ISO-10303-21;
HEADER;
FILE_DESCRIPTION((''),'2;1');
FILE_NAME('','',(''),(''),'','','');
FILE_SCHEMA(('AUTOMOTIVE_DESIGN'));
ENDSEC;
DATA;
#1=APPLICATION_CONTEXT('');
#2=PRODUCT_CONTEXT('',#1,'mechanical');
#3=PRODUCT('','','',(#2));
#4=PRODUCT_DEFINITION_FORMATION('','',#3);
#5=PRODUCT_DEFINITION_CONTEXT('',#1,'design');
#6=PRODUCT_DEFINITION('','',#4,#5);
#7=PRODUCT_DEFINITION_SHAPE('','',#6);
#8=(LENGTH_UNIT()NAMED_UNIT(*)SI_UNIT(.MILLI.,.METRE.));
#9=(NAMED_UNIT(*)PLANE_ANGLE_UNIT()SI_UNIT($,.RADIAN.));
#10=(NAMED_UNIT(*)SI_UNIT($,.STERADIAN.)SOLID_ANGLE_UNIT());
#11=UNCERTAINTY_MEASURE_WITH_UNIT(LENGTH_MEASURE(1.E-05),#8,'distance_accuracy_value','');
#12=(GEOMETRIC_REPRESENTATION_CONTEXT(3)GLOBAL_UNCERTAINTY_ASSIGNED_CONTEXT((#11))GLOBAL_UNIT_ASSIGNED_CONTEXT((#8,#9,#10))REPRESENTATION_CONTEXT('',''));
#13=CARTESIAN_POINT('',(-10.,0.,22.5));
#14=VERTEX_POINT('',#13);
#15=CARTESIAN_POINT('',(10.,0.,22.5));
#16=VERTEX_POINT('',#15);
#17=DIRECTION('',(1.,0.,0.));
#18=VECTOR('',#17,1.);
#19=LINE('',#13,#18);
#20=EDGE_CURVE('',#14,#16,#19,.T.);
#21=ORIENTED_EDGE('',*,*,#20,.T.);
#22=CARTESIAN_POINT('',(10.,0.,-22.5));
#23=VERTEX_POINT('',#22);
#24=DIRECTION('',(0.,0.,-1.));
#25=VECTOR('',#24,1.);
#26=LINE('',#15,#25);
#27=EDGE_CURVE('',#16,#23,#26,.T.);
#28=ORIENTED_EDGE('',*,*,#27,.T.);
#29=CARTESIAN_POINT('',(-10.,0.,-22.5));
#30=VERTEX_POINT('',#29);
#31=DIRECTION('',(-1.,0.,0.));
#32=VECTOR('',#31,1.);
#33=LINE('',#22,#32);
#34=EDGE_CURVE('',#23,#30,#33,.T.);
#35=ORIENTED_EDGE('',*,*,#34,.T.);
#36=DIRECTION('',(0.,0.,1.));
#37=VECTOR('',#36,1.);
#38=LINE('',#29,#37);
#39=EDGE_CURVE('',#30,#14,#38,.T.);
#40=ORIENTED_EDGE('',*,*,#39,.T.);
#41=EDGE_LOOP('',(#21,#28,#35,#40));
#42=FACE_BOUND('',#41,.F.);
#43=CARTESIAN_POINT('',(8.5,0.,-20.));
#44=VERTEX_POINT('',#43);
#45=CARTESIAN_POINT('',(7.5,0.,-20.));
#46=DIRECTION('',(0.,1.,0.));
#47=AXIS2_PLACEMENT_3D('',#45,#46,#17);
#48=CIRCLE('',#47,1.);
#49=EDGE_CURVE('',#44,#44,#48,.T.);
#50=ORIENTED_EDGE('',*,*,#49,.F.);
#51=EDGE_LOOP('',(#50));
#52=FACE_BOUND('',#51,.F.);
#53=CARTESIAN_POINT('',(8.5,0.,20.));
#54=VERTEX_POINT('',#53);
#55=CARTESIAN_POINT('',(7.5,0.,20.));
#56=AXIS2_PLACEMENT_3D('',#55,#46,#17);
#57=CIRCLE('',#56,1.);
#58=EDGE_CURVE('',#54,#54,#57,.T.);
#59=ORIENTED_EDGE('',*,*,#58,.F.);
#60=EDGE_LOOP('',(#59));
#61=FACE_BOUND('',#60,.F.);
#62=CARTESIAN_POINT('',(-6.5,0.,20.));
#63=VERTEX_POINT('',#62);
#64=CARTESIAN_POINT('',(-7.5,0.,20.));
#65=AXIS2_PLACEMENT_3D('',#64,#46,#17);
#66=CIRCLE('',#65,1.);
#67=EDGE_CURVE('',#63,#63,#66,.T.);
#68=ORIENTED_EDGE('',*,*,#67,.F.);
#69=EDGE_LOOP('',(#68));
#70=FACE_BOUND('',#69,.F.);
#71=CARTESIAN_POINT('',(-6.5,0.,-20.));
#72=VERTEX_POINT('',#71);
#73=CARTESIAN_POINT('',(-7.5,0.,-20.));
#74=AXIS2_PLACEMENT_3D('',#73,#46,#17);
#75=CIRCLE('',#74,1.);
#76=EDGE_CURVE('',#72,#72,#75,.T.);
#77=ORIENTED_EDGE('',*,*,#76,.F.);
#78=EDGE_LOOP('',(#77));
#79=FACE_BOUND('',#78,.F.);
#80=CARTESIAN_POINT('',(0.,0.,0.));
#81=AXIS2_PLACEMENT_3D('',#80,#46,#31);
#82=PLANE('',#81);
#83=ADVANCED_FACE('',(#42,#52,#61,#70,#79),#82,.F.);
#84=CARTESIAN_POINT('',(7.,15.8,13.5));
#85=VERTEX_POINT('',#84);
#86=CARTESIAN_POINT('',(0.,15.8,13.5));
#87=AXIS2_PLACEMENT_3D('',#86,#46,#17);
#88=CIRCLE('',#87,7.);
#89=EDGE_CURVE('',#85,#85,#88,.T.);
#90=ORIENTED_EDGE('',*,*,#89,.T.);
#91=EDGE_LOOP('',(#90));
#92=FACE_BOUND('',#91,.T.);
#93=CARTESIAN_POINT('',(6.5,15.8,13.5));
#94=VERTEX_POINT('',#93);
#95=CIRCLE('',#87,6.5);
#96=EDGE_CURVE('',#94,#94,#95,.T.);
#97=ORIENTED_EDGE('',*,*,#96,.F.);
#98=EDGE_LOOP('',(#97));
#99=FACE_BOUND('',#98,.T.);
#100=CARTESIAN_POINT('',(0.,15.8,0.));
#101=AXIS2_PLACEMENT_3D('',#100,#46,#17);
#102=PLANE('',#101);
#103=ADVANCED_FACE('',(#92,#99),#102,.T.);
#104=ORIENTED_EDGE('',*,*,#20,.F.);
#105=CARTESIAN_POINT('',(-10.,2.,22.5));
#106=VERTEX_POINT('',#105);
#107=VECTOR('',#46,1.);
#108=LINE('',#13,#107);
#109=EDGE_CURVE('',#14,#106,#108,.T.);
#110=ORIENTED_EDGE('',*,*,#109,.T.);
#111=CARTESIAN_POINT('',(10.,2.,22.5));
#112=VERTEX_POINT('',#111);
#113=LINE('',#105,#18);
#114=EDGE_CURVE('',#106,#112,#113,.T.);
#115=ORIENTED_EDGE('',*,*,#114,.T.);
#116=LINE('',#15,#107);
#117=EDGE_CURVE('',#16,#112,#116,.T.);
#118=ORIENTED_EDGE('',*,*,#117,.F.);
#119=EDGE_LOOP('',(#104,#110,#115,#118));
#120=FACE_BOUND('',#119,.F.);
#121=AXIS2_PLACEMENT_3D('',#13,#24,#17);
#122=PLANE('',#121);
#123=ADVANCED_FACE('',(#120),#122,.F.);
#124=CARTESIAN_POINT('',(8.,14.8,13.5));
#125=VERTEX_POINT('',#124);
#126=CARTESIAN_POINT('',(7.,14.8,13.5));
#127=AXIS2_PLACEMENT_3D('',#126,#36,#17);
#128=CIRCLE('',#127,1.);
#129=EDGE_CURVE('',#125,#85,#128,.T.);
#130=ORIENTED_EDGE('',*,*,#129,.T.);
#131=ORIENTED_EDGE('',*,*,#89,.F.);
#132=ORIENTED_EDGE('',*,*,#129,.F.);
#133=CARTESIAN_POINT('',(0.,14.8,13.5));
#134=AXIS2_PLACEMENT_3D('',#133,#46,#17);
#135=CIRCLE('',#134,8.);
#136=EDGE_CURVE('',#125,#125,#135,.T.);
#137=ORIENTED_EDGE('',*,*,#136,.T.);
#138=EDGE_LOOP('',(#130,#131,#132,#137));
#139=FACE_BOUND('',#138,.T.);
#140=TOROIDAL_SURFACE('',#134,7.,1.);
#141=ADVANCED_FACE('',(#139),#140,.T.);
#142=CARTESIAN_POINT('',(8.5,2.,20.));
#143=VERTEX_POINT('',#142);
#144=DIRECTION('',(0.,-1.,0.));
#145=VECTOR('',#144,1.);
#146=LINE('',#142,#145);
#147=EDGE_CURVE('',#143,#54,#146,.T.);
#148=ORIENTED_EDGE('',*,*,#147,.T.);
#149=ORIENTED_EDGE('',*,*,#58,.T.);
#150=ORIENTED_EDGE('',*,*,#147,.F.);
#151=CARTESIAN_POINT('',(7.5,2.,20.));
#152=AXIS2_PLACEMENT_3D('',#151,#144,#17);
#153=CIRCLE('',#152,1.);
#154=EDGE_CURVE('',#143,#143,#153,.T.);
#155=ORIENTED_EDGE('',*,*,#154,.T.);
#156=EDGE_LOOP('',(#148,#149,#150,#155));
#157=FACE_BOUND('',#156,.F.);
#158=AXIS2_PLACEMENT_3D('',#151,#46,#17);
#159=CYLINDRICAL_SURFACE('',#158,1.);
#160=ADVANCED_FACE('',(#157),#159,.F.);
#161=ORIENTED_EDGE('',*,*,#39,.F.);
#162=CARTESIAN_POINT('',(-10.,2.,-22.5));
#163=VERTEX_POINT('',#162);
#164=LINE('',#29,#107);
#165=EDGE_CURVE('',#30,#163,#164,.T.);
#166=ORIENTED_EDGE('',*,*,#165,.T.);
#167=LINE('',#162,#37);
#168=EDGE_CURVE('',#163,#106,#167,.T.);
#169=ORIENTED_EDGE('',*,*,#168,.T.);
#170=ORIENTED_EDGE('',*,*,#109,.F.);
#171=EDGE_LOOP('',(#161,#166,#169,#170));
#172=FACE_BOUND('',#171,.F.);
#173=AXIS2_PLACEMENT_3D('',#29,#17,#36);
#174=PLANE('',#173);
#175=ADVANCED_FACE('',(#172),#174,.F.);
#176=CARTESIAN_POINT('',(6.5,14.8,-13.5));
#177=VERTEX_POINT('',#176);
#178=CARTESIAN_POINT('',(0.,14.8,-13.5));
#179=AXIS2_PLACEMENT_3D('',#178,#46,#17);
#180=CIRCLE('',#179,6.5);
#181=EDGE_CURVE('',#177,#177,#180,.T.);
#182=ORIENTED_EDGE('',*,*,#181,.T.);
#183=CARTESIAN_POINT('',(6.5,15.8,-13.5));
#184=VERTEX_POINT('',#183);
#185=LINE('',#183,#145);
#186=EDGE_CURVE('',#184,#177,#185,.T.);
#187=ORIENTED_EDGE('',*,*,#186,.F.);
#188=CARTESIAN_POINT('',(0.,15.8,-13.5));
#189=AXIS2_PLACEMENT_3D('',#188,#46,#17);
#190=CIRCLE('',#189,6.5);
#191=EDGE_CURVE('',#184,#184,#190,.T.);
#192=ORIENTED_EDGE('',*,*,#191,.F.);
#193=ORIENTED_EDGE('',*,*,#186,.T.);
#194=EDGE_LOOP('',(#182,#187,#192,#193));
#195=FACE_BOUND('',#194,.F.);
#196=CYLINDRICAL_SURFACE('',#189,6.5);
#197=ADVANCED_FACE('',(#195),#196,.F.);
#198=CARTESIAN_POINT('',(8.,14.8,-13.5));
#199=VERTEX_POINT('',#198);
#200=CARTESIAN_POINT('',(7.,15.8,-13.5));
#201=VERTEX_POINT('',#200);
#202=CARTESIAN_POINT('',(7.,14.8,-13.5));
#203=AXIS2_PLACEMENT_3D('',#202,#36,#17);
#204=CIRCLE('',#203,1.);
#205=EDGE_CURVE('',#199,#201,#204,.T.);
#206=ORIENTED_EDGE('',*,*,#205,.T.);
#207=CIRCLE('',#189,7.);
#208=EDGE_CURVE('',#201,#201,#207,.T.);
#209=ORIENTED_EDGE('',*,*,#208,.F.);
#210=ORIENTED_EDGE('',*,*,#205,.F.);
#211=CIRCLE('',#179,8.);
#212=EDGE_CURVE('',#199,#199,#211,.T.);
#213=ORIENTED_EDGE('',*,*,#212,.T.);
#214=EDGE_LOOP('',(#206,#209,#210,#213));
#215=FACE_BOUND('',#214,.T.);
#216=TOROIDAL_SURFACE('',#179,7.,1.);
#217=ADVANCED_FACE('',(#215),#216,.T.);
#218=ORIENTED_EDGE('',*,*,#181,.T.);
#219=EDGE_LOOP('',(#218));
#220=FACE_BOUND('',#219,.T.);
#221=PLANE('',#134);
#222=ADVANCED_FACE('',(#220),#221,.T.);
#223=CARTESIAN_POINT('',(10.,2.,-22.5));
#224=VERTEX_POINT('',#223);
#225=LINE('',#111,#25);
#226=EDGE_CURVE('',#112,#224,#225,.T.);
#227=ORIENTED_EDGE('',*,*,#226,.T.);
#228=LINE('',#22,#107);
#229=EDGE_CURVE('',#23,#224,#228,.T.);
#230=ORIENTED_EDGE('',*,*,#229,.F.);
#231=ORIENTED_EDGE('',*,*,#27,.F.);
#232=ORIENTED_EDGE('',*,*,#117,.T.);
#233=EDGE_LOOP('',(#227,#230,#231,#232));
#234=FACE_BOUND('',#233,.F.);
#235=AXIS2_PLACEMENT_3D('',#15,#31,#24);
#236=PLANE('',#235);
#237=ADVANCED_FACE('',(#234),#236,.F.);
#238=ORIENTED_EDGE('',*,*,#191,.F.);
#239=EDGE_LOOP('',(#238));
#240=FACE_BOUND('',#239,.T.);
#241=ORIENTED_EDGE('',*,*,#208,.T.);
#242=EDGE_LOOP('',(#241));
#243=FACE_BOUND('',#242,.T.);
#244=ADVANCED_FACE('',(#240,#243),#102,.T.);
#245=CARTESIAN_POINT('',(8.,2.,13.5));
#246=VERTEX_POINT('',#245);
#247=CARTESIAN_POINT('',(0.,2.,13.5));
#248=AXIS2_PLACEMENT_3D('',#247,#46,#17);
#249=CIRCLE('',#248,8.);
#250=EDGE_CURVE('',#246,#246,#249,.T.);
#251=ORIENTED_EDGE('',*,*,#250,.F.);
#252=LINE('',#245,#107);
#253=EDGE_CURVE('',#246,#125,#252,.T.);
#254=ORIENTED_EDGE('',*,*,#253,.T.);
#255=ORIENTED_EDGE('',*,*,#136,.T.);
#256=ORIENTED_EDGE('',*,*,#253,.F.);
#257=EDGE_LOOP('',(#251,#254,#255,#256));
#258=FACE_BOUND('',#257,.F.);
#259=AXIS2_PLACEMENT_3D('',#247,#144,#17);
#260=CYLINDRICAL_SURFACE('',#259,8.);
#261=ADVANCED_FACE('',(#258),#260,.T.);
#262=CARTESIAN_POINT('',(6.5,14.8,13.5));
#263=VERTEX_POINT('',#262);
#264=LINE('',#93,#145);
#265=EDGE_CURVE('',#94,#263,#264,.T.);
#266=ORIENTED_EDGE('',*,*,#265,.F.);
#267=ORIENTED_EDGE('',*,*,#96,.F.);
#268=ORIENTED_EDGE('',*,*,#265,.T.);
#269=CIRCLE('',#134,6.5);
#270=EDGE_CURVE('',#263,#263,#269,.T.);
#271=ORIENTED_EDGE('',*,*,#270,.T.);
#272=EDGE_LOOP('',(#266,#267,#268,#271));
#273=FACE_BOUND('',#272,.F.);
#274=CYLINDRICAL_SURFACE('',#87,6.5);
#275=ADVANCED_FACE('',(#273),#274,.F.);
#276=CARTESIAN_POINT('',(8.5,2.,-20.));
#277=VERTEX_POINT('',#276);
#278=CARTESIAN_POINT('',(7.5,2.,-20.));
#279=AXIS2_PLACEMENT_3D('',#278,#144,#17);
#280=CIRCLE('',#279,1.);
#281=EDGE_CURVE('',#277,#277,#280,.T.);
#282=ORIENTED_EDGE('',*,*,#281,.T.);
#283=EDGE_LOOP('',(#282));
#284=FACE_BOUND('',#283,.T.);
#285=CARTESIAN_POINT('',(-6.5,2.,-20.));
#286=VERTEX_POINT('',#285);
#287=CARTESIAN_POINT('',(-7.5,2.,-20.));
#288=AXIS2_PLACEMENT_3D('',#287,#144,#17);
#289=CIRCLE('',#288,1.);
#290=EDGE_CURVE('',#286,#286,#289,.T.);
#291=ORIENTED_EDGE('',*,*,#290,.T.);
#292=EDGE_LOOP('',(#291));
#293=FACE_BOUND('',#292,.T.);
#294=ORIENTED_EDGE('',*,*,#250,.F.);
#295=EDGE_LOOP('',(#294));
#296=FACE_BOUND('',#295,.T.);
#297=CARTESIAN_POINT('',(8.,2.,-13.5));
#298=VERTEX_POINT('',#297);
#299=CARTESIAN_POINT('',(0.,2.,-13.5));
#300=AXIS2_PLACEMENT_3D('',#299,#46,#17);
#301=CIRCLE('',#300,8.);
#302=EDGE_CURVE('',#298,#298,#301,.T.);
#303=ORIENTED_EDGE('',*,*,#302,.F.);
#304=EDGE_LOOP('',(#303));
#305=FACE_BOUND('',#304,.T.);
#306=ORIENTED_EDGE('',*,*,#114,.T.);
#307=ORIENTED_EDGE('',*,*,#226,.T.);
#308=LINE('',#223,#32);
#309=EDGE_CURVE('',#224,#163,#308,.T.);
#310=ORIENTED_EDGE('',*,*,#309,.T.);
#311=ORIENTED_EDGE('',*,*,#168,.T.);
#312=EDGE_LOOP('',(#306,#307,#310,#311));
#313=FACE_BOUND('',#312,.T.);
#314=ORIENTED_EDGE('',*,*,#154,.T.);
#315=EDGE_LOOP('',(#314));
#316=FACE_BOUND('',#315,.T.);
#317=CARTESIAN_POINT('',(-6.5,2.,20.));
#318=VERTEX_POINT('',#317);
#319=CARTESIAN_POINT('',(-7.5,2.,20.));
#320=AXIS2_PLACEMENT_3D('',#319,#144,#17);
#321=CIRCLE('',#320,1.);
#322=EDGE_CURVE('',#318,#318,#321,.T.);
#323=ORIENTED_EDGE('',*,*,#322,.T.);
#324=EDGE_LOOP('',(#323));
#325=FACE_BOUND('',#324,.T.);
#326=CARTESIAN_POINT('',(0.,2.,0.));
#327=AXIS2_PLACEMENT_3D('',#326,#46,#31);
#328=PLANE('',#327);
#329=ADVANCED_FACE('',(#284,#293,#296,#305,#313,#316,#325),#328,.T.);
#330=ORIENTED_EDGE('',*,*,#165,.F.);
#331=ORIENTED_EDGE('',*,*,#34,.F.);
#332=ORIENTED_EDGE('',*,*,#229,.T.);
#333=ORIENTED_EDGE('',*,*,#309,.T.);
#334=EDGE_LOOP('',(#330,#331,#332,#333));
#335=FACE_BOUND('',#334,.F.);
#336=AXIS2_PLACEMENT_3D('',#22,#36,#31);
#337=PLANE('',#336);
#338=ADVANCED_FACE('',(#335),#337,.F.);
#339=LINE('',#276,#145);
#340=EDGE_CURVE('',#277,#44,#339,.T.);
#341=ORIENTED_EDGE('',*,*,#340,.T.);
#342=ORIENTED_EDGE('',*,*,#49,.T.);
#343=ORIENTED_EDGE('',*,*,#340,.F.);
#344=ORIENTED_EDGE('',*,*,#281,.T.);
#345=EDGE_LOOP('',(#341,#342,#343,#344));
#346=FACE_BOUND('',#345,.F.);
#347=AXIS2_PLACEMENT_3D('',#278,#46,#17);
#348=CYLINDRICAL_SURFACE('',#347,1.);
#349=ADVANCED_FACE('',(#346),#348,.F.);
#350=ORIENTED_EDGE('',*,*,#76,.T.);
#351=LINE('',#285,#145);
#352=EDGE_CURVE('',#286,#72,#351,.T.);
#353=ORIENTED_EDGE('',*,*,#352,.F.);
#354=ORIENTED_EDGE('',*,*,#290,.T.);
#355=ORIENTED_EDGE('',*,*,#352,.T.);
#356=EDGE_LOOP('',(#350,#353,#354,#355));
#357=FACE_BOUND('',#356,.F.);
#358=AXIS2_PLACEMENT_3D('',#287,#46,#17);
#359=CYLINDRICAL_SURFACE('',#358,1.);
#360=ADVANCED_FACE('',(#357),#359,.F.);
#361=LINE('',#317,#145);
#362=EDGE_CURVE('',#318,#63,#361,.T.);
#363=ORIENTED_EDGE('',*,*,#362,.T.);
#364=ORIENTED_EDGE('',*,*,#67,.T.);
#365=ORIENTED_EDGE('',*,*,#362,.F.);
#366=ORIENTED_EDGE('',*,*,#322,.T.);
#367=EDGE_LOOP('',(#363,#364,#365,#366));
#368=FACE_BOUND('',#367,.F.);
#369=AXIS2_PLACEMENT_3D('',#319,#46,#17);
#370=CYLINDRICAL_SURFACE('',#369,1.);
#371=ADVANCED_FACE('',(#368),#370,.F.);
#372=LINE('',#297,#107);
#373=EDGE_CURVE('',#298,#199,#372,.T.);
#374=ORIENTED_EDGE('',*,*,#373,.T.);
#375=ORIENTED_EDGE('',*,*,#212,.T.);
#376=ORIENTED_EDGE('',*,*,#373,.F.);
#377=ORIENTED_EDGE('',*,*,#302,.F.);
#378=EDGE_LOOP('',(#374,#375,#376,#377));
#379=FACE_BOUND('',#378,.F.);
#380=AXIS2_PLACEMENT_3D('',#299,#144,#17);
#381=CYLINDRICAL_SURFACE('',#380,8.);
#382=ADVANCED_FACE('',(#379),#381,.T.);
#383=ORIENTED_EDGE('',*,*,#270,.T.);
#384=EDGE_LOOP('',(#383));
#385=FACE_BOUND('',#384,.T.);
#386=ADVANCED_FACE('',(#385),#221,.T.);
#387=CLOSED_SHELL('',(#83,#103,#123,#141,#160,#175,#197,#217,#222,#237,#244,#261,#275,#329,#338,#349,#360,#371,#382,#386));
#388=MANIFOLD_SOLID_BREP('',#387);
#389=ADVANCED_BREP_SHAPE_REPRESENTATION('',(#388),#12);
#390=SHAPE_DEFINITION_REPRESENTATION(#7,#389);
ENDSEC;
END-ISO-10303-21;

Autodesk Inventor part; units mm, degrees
ref_plane "YZ Plane" through (0, 0, 0) normal (1, 0, 0) x (0, 1, 0)
ref_plane "XZ Plane" through (0, 0, 0) normal (0, 1, 0) x (-1, 0, 0)
ref_plane "XY Plane" through (0, 0, 0) normal (0, 0, 1) x (1, 0, 0)
sketch "Sketch1" plane through (0, 0, 0) normal (0, 1, 0) x (-1, 0, 0)
  line L0 (-10, 22.5) -> (-10, -22.5)
  line L1 (-10, -22.5) -> (10, -22.5)
  line L2 (10, -22.5) -> (10, 22.5)
  line L3 (10, 22.5) -> (-10, 22.5)
  line L4 (-10, 22.5) -> (10, -22.5) construction
  line L5 (-10, -22.5) -> (10, 22.5) construction
  point P0 (0, 0)
  dimension "d0" = 45
  dimension "d1" = 20
extrude "Extrusion1" add sketch "Sketch1" along normal blind 2
sketch "Sketch2" plane through (0, 2, 0) normal (0, 1, 0) x (1, 0, 0)
  line L0 (7.5, -20) -> (7.5, 20)
  line L1 (7.5, 20) -> (-7.5, 20)
  line L2 (-7.5, 20) -> (-7.5, -20)
  line L3 (-7.5, -20) -> (7.5, -20)
  line L4 (7.5, -20) -> (-7.5, 20) construction
  line L5 (7.5, 20) -> (-7.5, -20) construction
  circle A0 centre (-7.5, -20) radius 1
  circle A1 centre (7.5, -20) radius 1
  circle A2 centre (7.5, 20) radius 1
  circle A3 centre (-7.5, 20) radius 1
  point P0 (0, 0)
  dimension "d25" = 40
  dimension "d26" = 15
  dimension "d27" = 2
  dimension "d28" = 2
  dimension "d29" = 2
  dimension "d30" = 2
extrude "Extrusion2" cut sketch "Sketch2" against normal blind 2 contours L3 A1 L0 | L0 A1 L3 | A2 L1 L0 | L0 L1 A2 | A0 L2 L3 | L3 L2 A0 | A3 L2 L1 | L1 L2 A3
sketch "Sketch3" plane through (0, 2, 0) normal (0, 1, 0) x (1, 0, 0)
  circle A0 centre (0, -13.5) radius 8
  circle A1 centre (0, 13.5) radius 8
  dimension "d33" = 16
  dimension "d34" = 16
extrude "Extrusion3" add sketch "Sketch3" along normal blind 13.8
fillet "Fillet1" radius 1 2 edges at (-8, 15.8, -13.5) (-8, 15.8, 13.5)
sketch "Sketch4" plane through (0, 15.8, 13.5) normal (0, 1, 0) x (1, 0, 0)
  circle A0 centre (0, 0) radius 8 projected
  circle A1 centre (0, 27) radius 8 projected
  circle A2 centre (0, 0) radius 6.5
  circle A3 centre (0, 27) radius 6.5
  dimension "d35" = 13
  dimension "d36" = 13
extrude "Extrusion4" cut sketch "Sketch4" against normal blind 1 contours A2 | A3
properties part number "HC-SR04 Sonar"
